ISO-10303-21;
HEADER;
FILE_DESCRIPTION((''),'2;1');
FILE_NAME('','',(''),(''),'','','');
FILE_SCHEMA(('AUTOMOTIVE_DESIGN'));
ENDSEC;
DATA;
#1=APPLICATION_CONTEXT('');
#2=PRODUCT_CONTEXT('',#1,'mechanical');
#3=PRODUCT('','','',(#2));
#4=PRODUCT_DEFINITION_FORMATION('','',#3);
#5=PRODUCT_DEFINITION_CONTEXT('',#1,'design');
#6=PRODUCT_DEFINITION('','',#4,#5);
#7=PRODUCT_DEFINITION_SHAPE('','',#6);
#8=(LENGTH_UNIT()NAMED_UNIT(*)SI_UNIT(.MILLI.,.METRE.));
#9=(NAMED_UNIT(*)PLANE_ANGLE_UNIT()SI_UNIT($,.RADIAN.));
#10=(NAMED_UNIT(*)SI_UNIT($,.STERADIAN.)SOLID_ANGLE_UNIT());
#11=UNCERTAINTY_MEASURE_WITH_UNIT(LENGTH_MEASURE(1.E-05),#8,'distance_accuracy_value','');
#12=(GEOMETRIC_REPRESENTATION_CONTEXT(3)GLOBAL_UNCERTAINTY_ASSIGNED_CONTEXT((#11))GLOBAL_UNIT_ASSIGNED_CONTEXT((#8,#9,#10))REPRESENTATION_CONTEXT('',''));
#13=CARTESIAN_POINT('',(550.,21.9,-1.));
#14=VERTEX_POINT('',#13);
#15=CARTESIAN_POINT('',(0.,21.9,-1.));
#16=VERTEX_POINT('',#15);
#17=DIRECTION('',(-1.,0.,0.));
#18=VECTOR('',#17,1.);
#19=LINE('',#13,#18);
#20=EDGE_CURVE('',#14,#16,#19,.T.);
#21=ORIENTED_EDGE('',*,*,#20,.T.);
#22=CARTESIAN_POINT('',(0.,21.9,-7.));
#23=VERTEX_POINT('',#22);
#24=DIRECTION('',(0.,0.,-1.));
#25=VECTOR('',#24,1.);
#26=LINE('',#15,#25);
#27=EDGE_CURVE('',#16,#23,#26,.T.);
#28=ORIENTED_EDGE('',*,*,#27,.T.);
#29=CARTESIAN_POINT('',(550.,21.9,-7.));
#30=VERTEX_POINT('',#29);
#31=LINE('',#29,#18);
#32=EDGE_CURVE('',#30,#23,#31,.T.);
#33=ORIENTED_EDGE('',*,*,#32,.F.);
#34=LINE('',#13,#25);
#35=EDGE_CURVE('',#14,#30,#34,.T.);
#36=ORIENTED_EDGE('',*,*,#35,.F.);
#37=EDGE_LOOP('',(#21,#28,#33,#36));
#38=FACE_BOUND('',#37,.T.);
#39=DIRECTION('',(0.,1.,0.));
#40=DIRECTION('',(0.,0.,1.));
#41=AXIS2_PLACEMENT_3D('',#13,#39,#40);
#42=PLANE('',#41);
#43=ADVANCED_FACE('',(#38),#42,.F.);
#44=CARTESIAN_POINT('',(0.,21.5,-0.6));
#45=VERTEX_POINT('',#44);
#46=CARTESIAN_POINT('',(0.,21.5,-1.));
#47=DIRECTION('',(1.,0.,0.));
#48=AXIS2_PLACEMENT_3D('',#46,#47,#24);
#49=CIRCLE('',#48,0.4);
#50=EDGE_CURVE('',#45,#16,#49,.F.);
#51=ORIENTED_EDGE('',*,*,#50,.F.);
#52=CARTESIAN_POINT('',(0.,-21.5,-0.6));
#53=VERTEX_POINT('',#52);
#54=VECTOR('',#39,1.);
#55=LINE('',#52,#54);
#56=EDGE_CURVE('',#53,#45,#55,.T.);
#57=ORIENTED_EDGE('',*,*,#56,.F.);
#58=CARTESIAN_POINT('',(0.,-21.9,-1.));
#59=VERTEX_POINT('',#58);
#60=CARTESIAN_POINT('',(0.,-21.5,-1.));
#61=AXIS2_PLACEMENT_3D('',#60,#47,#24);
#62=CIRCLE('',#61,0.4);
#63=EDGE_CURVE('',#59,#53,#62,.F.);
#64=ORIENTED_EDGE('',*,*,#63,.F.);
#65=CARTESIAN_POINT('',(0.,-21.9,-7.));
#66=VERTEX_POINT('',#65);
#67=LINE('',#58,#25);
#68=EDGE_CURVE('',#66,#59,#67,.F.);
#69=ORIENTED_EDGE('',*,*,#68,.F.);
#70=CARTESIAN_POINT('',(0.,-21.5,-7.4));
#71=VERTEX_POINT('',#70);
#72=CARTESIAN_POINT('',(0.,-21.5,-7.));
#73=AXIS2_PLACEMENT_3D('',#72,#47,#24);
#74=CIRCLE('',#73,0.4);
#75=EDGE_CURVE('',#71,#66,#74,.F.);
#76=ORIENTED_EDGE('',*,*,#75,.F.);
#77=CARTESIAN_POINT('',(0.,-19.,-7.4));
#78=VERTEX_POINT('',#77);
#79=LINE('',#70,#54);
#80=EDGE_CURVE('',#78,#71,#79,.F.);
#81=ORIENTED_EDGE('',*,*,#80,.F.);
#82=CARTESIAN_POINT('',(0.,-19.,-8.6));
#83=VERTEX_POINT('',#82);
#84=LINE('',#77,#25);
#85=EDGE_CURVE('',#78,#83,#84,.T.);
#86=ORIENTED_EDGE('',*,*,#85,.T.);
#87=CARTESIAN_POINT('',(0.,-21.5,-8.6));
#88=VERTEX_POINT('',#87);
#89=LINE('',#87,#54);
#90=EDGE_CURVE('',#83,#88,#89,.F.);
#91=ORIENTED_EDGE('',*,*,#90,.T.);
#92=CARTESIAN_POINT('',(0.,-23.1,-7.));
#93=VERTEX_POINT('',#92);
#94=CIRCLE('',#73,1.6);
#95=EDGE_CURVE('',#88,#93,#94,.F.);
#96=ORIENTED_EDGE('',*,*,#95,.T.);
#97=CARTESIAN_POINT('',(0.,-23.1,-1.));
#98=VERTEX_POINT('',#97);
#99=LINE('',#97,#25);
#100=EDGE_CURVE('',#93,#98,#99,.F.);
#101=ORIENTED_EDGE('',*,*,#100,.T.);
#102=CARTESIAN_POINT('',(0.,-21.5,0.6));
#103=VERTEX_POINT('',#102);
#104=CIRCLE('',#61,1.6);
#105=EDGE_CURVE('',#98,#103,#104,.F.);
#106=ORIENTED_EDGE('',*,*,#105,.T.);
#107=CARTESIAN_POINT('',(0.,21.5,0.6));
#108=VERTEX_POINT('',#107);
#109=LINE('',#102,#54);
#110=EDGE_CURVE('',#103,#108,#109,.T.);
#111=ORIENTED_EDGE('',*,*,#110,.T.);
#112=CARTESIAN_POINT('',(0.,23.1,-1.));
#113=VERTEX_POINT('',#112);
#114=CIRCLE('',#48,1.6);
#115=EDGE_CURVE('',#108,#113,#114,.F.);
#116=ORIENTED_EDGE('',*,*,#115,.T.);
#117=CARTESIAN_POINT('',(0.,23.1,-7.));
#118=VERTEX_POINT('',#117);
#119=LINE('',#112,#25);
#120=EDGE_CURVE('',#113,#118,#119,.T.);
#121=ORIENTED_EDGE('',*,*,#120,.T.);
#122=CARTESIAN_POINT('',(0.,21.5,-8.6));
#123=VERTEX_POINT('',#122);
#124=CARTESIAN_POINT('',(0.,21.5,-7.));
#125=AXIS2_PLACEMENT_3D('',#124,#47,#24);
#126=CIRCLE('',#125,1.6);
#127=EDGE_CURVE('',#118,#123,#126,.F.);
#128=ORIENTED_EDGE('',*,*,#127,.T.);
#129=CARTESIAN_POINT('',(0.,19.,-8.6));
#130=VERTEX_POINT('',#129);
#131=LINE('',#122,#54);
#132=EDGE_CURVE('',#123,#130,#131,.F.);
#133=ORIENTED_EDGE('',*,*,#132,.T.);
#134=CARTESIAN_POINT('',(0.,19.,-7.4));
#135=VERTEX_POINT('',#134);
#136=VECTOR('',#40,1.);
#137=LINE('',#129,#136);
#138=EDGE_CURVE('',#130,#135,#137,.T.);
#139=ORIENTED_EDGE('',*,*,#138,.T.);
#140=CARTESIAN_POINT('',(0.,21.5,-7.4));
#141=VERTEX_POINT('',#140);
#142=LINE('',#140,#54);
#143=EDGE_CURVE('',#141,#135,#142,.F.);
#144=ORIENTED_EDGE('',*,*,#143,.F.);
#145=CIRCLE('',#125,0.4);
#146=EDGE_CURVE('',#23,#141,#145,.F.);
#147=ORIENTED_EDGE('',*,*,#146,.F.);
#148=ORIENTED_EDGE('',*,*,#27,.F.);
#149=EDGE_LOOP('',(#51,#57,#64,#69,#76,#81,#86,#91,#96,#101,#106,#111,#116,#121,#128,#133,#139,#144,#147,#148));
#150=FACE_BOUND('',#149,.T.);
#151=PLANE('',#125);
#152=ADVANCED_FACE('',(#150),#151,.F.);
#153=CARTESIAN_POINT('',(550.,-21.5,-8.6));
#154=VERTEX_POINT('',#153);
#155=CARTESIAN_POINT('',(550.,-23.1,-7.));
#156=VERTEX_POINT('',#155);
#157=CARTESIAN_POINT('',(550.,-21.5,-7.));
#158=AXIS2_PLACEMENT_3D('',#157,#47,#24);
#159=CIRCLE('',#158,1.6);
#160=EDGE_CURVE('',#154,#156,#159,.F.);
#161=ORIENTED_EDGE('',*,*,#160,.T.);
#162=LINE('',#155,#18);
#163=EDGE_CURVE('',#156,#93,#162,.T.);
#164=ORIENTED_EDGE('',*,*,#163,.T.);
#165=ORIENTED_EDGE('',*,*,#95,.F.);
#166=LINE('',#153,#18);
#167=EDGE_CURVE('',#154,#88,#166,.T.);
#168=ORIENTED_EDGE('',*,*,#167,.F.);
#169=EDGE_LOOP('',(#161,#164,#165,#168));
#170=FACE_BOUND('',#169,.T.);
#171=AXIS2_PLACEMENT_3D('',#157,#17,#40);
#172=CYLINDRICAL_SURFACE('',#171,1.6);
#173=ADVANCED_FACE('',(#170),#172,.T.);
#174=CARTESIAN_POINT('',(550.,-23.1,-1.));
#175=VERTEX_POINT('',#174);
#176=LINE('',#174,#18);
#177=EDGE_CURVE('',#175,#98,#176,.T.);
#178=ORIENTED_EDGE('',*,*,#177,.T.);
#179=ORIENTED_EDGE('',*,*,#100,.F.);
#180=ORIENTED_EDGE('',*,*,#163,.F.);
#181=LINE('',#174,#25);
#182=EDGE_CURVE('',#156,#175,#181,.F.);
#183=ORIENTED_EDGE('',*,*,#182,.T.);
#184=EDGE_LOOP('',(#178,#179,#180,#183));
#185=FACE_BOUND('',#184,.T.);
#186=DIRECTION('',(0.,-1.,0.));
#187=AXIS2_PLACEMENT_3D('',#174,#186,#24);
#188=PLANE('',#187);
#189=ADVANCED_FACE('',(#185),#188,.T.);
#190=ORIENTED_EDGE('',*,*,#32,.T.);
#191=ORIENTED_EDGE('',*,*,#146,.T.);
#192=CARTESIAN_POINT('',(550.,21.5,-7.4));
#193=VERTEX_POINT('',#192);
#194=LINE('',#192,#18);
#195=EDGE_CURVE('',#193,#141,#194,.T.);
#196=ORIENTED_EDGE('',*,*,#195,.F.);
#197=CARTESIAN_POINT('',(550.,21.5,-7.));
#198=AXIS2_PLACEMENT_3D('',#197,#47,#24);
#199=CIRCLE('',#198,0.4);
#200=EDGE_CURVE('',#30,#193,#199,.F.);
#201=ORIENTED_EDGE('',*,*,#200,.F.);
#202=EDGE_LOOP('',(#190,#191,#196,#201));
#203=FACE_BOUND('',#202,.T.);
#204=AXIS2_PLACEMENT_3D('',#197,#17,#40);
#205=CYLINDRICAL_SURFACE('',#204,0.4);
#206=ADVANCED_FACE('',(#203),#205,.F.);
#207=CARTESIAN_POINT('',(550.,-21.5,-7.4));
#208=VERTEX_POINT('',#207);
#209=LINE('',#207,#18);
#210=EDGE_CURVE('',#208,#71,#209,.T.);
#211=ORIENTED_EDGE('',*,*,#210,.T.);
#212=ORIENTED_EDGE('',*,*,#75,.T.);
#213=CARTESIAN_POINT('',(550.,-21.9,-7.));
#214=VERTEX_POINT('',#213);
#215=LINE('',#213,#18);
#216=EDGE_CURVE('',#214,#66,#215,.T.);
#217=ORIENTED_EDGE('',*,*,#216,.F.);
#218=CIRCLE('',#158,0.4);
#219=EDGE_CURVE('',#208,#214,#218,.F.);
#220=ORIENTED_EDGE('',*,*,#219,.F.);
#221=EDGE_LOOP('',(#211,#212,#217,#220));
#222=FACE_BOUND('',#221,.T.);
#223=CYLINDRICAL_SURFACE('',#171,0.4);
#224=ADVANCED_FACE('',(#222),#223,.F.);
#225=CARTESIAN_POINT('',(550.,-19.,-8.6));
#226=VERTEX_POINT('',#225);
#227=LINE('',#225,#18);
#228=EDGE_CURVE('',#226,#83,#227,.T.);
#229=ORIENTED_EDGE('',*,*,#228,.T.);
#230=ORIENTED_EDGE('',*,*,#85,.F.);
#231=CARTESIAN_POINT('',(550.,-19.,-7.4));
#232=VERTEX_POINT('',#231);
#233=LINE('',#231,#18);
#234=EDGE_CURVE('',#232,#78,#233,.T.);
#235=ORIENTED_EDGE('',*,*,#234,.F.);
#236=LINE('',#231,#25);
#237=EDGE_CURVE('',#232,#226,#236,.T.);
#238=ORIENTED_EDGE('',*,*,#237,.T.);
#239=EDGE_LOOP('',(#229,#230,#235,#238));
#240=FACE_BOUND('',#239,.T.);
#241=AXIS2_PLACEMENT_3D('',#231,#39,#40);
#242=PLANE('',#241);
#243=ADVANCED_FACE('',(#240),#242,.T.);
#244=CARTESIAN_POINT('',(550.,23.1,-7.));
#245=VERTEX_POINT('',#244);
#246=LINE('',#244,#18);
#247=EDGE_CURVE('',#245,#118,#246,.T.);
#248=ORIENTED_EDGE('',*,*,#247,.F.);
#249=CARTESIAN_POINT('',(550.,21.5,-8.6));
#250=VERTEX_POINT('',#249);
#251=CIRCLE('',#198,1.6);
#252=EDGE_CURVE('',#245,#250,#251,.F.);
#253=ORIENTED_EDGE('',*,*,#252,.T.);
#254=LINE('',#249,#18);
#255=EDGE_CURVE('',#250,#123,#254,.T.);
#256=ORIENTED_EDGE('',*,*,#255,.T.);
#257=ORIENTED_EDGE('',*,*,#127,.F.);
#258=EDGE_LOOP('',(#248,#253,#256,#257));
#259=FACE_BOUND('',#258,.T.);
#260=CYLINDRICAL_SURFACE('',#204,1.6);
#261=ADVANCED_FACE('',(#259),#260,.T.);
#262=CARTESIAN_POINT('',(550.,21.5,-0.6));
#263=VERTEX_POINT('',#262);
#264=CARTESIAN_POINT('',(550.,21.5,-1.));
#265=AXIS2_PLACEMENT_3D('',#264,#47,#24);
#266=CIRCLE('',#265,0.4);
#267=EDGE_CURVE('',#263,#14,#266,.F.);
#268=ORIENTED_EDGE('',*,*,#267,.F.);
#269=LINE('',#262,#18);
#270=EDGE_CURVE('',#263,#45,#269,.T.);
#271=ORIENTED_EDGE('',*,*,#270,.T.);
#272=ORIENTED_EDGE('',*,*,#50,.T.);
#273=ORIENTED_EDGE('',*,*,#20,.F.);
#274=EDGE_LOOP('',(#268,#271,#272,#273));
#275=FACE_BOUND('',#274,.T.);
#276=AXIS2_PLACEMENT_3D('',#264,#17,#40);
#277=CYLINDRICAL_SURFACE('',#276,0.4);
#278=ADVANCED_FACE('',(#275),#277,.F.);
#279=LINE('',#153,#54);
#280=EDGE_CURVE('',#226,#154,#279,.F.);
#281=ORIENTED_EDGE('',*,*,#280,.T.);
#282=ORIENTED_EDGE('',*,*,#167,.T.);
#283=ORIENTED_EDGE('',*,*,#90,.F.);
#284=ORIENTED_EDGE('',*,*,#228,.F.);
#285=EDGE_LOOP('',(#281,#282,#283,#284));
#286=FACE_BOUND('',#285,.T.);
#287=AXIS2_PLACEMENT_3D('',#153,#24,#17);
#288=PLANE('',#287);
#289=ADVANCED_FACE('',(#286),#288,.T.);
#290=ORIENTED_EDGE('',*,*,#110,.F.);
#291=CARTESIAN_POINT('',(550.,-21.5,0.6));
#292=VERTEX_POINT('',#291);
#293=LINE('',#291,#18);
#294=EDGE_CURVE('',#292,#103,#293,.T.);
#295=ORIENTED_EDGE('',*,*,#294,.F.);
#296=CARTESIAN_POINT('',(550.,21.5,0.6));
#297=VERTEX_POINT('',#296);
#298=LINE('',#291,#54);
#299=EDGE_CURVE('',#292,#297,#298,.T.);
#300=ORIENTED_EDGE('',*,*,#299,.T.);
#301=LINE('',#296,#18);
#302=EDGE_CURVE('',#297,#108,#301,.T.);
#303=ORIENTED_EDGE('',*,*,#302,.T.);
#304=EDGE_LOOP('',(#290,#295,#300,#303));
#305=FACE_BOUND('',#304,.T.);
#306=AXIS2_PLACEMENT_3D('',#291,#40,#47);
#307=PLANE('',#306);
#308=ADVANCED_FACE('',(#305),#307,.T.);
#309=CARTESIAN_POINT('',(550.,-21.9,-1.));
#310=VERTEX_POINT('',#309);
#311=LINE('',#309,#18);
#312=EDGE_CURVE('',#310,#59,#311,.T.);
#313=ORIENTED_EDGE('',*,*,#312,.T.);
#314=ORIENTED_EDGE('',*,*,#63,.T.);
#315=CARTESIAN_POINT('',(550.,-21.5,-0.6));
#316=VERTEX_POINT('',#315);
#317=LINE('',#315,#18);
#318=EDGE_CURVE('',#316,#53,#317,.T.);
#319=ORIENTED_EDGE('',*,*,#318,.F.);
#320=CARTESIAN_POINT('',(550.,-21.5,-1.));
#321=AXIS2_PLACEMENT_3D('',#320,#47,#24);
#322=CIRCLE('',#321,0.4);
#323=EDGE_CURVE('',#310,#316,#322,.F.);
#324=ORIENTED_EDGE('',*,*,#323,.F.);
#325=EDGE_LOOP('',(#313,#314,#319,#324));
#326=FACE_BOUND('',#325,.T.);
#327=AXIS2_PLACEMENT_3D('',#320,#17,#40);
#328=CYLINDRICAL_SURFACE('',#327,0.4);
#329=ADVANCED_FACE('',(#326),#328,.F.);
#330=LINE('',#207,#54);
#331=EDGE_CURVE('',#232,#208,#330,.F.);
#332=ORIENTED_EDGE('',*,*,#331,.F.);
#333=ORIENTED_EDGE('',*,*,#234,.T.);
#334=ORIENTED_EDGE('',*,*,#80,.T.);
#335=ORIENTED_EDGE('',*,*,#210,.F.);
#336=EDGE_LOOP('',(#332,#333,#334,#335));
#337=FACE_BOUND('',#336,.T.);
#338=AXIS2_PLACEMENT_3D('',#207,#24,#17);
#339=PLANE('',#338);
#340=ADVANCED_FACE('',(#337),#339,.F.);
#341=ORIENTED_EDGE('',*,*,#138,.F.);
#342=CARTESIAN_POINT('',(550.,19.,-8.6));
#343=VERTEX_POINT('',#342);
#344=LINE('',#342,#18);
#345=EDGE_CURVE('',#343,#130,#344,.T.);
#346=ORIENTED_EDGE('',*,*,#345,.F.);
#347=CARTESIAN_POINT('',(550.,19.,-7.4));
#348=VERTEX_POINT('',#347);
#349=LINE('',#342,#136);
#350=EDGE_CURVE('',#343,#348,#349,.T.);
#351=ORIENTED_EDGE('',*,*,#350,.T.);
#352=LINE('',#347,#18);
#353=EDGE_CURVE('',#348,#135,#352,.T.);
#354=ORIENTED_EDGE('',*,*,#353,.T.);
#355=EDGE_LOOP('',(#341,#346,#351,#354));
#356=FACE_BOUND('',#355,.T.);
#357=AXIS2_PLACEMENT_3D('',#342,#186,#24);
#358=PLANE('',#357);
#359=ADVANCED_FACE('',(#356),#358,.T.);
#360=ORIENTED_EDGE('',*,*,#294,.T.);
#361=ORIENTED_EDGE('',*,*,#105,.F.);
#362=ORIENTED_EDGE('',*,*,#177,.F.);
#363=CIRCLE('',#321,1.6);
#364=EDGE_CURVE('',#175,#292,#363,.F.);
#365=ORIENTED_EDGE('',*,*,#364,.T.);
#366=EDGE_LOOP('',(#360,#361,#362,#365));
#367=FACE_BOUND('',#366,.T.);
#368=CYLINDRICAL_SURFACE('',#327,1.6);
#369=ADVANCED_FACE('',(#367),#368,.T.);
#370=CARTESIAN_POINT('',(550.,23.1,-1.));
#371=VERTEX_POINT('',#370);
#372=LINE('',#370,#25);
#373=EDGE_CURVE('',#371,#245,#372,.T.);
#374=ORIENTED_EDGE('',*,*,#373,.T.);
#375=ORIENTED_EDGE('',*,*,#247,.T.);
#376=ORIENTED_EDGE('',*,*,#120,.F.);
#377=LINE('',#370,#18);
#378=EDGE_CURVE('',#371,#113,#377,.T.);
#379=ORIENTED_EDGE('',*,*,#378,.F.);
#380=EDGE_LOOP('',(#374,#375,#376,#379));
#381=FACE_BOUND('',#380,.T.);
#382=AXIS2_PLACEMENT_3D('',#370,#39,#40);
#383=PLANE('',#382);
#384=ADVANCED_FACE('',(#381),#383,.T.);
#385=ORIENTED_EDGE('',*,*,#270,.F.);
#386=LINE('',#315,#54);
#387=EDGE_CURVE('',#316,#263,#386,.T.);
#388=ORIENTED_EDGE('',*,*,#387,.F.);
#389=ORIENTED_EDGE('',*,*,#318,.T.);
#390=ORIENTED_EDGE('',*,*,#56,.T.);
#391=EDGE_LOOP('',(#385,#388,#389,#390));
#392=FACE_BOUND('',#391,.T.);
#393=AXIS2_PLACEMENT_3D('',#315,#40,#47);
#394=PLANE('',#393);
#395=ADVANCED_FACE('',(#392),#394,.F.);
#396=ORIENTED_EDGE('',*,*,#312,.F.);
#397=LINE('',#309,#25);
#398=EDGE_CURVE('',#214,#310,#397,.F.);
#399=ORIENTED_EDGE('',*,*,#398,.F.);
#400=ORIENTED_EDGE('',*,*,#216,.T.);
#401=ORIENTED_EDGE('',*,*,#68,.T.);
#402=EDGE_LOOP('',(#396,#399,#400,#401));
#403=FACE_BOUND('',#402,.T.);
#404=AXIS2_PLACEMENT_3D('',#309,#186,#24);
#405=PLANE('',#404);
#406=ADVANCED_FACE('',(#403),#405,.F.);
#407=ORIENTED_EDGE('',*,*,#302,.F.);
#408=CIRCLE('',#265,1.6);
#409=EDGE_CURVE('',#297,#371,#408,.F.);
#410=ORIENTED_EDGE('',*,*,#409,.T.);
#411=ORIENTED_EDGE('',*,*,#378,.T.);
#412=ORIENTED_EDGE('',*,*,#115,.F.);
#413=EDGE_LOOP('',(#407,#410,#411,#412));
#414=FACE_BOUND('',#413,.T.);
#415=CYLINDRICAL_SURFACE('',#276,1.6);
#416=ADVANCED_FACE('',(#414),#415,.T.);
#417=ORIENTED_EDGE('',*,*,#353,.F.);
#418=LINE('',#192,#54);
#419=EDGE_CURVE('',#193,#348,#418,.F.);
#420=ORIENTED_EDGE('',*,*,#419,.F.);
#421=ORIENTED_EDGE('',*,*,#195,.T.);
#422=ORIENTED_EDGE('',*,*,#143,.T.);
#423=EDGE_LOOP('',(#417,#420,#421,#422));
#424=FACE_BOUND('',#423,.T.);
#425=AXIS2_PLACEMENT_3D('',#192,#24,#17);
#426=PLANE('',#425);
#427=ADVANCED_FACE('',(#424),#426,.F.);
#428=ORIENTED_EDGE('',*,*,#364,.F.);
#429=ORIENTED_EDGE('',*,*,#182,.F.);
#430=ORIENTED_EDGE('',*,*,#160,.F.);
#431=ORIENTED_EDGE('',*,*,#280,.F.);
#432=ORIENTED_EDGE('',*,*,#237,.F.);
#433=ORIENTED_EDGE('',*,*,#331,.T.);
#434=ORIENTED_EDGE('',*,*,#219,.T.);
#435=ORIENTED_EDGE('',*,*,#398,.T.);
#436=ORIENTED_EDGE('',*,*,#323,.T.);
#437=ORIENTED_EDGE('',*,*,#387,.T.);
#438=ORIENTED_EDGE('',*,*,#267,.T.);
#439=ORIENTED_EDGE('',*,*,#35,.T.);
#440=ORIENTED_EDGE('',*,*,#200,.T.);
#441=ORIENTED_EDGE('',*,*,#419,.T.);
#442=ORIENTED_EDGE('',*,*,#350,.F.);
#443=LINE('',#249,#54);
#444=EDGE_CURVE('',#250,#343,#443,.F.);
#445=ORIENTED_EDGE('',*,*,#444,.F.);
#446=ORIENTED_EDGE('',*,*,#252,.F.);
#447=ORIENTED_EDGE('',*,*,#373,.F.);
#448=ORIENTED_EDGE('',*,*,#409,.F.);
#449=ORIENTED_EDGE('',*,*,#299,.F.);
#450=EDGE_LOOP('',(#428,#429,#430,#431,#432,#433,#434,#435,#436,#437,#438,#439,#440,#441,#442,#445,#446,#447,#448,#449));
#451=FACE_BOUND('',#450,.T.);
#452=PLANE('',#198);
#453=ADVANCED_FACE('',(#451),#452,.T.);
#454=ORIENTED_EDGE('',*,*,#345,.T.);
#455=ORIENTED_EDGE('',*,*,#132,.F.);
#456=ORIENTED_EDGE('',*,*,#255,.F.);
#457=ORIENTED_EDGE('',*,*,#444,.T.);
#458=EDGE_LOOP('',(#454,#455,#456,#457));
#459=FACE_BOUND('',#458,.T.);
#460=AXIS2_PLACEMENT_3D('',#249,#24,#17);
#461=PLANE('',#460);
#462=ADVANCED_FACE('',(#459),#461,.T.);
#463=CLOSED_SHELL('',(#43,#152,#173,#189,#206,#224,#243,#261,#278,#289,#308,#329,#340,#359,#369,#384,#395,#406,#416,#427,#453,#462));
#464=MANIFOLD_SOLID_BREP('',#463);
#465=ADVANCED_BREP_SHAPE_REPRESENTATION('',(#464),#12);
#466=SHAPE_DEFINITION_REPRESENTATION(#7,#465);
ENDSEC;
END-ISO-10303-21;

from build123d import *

# Parameters (mm, degrees)
EXTRUDE_1_DEPTH = 550


with BuildPart() as part:
    # Эскиз1 → Вытянуть-Тонкостенный1 (new body)
    with BuildSketch(Plane(origin=(0, 0, 0), x_dir=(0, 0, -1), z_dir=(1, 0, 0))):
        with BuildLine():
            Line((7.4, -19), (7.4, -21.5))
            ThreePointArc((7.4, -21.5), (7.282842712, -21.782842712), (7, -21.9))
            Line((7, -21.9), (1, -21.9))
            ThreePointArc((1, -21.9), (0.717157288, -21.782842712), (0.6, -21.5))
            Line((0.6, -21.5), (0.6, 21.5))
            ThreePointArc((0.6, 21.5), (0.717157288, 21.782842712), (1, 21.9))
            Line((1, 21.9), (7, 21.9))
            ThreePointArc((7, 21.9), (7.282842712, 21.782842712), (7.4, 21.5))
            Line((7.4, 21.5), (7.4, 19))
            Line((7.4, 19), (8.6, 19))
            Line((8.6, 19), (8.6, 21.5))
            ThreePointArc((8.6, 21.5), (8.13137085, 22.63137085), (7, 23.1))
            Line((7, 23.1), (1, 23.1))
            ThreePointArc((1, 23.1), (-0.13137085, 22.63137085), (-0.6, 21.5))
            Line((-0.6, 21.5), (-0.6, -21.5))
            ThreePointArc((-0.6, -21.5), (-0.13137085, -22.63137085), (1, -23.1))
            Line((1, -23.1), (7, -23.1))
            ThreePointArc((7, -23.1), (8.13137085, -22.63137085), (8.6, -21.5))
            Line((8.6, -21.5), (8.6, -19))
            Line((8.6, -19), (7.4, -19))
        make_face()
    extrude(amount=EXTRUDE_1_DEPTH)


solid = part.part
